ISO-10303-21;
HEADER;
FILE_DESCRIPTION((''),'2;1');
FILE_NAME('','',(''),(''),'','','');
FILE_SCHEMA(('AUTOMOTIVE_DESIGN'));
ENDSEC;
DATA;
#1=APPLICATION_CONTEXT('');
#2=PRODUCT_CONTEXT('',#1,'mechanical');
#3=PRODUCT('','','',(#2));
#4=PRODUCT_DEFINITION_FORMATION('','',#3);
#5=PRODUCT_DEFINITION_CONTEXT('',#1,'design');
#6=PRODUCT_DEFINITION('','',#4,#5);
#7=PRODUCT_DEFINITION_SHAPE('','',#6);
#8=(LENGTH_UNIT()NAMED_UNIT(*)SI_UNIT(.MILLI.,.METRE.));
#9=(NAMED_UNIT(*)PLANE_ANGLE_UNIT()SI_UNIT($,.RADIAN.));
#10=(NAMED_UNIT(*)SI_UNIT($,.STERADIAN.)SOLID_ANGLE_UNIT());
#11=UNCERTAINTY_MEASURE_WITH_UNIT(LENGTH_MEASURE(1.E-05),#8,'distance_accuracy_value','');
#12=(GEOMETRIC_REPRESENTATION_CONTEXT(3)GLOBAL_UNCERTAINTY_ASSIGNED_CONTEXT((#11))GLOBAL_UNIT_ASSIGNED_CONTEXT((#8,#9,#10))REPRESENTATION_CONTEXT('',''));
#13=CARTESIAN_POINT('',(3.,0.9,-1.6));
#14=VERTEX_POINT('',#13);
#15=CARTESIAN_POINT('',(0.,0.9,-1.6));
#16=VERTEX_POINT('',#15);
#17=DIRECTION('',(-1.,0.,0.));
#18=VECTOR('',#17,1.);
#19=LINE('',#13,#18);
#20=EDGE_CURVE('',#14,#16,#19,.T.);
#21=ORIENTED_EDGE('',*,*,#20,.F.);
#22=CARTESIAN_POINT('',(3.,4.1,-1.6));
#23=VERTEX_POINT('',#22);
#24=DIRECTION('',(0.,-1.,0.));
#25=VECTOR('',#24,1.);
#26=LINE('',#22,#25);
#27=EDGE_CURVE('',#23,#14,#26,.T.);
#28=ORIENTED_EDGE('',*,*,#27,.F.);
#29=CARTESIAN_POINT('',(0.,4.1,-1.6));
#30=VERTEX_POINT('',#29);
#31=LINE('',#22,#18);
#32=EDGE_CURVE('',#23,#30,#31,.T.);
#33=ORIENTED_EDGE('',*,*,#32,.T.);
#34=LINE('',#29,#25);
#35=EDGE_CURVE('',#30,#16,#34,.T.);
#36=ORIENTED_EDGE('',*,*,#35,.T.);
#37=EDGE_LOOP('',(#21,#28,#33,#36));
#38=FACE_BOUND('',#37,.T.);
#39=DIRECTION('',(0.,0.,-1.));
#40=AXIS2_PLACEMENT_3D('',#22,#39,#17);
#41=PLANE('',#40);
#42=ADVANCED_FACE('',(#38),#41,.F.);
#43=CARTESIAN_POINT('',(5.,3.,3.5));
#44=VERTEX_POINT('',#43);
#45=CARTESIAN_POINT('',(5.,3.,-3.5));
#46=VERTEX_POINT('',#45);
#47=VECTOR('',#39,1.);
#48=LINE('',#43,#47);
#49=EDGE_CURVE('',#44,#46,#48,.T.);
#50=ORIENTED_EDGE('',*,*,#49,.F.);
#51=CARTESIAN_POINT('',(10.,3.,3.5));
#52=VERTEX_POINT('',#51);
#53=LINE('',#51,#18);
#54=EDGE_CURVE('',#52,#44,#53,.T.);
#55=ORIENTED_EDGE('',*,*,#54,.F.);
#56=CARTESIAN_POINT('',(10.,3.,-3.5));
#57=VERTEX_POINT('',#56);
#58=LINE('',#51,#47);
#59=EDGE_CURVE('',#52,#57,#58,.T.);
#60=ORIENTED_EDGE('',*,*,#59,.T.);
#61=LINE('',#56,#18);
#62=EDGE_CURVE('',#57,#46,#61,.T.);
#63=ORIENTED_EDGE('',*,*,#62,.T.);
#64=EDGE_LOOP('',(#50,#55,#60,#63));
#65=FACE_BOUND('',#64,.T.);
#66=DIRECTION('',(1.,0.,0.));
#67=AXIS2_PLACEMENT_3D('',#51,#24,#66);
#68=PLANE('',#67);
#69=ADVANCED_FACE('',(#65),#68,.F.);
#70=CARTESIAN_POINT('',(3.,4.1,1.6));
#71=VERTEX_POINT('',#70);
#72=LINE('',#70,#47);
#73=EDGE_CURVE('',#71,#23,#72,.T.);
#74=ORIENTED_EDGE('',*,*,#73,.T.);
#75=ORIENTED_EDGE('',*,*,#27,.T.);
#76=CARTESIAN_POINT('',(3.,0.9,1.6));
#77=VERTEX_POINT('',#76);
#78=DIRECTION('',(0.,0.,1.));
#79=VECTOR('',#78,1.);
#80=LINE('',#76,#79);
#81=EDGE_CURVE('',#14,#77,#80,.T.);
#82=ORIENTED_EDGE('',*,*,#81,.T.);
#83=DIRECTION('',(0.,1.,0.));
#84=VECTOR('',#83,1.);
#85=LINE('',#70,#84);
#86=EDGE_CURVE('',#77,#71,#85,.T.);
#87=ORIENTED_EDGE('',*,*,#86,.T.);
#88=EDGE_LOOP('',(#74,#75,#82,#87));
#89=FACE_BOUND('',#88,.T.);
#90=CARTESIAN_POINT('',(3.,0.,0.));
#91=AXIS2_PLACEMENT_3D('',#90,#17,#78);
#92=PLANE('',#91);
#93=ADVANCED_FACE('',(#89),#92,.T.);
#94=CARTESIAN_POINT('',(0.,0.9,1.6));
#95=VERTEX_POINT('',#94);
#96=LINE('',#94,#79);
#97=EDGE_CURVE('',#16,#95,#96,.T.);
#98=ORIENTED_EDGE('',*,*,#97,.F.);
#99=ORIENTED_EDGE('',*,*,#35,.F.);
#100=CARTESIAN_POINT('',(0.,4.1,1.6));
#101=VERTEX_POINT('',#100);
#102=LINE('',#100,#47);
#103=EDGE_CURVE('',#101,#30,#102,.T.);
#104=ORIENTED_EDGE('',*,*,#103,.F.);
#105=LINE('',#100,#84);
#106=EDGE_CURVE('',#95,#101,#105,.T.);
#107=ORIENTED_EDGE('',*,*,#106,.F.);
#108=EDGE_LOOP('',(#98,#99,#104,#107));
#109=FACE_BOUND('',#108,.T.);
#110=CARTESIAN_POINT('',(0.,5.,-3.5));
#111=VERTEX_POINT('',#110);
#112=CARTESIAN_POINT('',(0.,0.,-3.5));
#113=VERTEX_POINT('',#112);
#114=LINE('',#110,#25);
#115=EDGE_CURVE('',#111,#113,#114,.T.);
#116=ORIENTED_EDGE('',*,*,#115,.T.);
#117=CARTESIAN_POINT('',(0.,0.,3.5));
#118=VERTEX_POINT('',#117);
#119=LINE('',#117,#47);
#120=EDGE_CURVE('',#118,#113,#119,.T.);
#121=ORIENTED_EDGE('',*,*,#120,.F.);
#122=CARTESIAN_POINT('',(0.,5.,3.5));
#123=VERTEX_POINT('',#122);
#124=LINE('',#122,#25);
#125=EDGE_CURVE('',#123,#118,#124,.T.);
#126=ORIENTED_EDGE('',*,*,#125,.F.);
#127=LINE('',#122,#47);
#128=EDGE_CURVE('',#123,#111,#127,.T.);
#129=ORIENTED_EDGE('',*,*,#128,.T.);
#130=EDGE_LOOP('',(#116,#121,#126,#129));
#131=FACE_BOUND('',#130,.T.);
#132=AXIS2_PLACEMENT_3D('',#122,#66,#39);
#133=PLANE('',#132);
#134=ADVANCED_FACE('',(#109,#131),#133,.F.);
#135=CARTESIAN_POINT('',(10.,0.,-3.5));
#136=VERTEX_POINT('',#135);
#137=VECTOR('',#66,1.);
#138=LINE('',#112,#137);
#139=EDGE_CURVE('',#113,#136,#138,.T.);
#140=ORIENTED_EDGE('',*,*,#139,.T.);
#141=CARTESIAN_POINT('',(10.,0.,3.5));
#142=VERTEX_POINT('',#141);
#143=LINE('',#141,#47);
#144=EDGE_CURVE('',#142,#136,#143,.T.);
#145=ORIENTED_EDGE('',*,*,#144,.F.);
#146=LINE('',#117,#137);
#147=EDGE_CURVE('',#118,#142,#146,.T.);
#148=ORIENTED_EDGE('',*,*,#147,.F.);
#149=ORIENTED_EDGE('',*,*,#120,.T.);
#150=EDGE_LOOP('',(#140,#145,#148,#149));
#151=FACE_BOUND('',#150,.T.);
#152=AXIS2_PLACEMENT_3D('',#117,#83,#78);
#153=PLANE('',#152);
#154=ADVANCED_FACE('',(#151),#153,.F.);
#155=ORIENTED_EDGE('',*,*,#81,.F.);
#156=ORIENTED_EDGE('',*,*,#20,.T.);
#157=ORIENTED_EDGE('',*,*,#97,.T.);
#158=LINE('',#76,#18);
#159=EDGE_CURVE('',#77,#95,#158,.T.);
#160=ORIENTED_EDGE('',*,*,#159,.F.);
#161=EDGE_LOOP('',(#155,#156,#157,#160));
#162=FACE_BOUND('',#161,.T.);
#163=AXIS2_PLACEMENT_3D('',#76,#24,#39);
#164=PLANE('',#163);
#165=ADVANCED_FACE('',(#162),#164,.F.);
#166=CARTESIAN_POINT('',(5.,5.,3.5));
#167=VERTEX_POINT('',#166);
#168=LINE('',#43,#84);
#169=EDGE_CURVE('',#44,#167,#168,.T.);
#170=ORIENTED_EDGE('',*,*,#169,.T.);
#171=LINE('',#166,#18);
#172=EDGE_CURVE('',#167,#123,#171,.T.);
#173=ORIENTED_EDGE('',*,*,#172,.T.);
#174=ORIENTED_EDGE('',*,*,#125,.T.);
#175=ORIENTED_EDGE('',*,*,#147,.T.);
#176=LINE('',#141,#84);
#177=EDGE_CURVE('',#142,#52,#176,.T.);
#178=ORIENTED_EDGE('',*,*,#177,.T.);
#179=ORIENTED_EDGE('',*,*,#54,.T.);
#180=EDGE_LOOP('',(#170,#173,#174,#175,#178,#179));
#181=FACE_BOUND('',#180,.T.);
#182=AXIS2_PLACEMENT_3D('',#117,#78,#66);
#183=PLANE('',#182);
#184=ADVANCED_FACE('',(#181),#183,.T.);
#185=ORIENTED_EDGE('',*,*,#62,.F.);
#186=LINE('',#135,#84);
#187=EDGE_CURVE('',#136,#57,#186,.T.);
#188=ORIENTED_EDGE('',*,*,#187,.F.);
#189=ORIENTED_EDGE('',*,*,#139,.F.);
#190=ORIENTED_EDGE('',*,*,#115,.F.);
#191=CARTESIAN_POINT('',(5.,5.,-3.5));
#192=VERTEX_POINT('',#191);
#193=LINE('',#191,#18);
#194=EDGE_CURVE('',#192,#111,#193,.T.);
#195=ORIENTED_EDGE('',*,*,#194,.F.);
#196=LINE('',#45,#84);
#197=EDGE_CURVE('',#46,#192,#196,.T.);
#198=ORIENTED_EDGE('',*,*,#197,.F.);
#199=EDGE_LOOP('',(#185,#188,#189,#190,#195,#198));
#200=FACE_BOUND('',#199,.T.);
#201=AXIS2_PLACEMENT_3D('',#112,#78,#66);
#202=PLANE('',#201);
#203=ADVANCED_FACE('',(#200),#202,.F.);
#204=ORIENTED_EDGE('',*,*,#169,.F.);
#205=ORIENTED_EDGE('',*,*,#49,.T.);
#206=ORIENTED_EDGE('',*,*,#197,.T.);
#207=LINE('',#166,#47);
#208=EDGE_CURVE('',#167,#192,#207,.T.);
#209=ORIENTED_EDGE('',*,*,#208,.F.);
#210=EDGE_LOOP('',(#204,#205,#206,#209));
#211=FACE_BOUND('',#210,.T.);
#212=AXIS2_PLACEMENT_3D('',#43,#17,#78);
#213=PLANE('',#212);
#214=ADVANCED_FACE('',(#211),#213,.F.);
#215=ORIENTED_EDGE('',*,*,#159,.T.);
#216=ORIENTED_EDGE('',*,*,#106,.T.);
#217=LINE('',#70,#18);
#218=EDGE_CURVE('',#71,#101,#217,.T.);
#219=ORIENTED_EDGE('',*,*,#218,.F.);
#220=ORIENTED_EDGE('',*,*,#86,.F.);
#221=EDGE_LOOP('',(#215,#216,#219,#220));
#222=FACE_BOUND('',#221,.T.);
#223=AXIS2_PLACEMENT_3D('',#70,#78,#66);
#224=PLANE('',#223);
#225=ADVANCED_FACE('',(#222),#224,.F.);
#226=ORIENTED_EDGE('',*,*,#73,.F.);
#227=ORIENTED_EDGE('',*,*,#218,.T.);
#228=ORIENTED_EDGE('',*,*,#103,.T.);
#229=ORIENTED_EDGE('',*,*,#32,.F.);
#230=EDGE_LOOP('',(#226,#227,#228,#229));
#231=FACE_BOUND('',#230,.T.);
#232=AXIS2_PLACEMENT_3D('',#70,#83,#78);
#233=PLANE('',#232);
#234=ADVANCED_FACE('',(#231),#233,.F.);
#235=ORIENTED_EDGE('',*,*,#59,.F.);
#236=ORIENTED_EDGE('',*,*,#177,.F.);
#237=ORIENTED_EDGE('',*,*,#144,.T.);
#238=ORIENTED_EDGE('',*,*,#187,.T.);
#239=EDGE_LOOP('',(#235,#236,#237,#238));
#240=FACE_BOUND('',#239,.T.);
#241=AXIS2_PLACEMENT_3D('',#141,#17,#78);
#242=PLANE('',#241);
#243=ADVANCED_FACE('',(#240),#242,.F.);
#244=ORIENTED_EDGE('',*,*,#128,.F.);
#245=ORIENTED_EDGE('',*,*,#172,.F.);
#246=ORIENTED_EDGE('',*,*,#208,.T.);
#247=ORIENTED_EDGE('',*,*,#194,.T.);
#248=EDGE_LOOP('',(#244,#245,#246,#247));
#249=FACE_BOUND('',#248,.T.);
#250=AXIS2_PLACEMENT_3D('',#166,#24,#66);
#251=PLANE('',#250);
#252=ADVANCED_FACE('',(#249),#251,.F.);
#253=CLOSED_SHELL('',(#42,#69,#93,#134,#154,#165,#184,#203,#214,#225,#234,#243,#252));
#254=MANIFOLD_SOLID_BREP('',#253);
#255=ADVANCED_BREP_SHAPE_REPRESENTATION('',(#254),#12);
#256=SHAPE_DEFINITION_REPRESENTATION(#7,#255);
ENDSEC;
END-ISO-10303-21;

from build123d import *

# Parameters (mm, degrees)
EXTRUDE_1_DEPTH     = 3.5
SKETCH_2_W          = 3.2
SKETCH_2_H          = 3.2
CUT_EXTRUDE_1_DEPTH = 3


with BuildPart() as part:
    # 草图1 → 凸台-拉伸1 (new, symmetric)
    with BuildSketch(Plane.XY):
        Polygon((0, 0), (10, 0), (10, 3), (5, 3), (5, 5), (0, 5), align=None)
    extrude(amount=EXTRUDE_1_DEPTH, both=True)

    # 草图2 → 切除-拉伸1 (cut)
    with BuildSketch(Plane.ZY):
        with Locations((0, 2.5)):
            Rectangle(SKETCH_2_W, SKETCH_2_H)
    extrude(amount=-CUT_EXTRUDE_1_DEPTH, mode=Mode.SUBTRACT)


solid = part.part
